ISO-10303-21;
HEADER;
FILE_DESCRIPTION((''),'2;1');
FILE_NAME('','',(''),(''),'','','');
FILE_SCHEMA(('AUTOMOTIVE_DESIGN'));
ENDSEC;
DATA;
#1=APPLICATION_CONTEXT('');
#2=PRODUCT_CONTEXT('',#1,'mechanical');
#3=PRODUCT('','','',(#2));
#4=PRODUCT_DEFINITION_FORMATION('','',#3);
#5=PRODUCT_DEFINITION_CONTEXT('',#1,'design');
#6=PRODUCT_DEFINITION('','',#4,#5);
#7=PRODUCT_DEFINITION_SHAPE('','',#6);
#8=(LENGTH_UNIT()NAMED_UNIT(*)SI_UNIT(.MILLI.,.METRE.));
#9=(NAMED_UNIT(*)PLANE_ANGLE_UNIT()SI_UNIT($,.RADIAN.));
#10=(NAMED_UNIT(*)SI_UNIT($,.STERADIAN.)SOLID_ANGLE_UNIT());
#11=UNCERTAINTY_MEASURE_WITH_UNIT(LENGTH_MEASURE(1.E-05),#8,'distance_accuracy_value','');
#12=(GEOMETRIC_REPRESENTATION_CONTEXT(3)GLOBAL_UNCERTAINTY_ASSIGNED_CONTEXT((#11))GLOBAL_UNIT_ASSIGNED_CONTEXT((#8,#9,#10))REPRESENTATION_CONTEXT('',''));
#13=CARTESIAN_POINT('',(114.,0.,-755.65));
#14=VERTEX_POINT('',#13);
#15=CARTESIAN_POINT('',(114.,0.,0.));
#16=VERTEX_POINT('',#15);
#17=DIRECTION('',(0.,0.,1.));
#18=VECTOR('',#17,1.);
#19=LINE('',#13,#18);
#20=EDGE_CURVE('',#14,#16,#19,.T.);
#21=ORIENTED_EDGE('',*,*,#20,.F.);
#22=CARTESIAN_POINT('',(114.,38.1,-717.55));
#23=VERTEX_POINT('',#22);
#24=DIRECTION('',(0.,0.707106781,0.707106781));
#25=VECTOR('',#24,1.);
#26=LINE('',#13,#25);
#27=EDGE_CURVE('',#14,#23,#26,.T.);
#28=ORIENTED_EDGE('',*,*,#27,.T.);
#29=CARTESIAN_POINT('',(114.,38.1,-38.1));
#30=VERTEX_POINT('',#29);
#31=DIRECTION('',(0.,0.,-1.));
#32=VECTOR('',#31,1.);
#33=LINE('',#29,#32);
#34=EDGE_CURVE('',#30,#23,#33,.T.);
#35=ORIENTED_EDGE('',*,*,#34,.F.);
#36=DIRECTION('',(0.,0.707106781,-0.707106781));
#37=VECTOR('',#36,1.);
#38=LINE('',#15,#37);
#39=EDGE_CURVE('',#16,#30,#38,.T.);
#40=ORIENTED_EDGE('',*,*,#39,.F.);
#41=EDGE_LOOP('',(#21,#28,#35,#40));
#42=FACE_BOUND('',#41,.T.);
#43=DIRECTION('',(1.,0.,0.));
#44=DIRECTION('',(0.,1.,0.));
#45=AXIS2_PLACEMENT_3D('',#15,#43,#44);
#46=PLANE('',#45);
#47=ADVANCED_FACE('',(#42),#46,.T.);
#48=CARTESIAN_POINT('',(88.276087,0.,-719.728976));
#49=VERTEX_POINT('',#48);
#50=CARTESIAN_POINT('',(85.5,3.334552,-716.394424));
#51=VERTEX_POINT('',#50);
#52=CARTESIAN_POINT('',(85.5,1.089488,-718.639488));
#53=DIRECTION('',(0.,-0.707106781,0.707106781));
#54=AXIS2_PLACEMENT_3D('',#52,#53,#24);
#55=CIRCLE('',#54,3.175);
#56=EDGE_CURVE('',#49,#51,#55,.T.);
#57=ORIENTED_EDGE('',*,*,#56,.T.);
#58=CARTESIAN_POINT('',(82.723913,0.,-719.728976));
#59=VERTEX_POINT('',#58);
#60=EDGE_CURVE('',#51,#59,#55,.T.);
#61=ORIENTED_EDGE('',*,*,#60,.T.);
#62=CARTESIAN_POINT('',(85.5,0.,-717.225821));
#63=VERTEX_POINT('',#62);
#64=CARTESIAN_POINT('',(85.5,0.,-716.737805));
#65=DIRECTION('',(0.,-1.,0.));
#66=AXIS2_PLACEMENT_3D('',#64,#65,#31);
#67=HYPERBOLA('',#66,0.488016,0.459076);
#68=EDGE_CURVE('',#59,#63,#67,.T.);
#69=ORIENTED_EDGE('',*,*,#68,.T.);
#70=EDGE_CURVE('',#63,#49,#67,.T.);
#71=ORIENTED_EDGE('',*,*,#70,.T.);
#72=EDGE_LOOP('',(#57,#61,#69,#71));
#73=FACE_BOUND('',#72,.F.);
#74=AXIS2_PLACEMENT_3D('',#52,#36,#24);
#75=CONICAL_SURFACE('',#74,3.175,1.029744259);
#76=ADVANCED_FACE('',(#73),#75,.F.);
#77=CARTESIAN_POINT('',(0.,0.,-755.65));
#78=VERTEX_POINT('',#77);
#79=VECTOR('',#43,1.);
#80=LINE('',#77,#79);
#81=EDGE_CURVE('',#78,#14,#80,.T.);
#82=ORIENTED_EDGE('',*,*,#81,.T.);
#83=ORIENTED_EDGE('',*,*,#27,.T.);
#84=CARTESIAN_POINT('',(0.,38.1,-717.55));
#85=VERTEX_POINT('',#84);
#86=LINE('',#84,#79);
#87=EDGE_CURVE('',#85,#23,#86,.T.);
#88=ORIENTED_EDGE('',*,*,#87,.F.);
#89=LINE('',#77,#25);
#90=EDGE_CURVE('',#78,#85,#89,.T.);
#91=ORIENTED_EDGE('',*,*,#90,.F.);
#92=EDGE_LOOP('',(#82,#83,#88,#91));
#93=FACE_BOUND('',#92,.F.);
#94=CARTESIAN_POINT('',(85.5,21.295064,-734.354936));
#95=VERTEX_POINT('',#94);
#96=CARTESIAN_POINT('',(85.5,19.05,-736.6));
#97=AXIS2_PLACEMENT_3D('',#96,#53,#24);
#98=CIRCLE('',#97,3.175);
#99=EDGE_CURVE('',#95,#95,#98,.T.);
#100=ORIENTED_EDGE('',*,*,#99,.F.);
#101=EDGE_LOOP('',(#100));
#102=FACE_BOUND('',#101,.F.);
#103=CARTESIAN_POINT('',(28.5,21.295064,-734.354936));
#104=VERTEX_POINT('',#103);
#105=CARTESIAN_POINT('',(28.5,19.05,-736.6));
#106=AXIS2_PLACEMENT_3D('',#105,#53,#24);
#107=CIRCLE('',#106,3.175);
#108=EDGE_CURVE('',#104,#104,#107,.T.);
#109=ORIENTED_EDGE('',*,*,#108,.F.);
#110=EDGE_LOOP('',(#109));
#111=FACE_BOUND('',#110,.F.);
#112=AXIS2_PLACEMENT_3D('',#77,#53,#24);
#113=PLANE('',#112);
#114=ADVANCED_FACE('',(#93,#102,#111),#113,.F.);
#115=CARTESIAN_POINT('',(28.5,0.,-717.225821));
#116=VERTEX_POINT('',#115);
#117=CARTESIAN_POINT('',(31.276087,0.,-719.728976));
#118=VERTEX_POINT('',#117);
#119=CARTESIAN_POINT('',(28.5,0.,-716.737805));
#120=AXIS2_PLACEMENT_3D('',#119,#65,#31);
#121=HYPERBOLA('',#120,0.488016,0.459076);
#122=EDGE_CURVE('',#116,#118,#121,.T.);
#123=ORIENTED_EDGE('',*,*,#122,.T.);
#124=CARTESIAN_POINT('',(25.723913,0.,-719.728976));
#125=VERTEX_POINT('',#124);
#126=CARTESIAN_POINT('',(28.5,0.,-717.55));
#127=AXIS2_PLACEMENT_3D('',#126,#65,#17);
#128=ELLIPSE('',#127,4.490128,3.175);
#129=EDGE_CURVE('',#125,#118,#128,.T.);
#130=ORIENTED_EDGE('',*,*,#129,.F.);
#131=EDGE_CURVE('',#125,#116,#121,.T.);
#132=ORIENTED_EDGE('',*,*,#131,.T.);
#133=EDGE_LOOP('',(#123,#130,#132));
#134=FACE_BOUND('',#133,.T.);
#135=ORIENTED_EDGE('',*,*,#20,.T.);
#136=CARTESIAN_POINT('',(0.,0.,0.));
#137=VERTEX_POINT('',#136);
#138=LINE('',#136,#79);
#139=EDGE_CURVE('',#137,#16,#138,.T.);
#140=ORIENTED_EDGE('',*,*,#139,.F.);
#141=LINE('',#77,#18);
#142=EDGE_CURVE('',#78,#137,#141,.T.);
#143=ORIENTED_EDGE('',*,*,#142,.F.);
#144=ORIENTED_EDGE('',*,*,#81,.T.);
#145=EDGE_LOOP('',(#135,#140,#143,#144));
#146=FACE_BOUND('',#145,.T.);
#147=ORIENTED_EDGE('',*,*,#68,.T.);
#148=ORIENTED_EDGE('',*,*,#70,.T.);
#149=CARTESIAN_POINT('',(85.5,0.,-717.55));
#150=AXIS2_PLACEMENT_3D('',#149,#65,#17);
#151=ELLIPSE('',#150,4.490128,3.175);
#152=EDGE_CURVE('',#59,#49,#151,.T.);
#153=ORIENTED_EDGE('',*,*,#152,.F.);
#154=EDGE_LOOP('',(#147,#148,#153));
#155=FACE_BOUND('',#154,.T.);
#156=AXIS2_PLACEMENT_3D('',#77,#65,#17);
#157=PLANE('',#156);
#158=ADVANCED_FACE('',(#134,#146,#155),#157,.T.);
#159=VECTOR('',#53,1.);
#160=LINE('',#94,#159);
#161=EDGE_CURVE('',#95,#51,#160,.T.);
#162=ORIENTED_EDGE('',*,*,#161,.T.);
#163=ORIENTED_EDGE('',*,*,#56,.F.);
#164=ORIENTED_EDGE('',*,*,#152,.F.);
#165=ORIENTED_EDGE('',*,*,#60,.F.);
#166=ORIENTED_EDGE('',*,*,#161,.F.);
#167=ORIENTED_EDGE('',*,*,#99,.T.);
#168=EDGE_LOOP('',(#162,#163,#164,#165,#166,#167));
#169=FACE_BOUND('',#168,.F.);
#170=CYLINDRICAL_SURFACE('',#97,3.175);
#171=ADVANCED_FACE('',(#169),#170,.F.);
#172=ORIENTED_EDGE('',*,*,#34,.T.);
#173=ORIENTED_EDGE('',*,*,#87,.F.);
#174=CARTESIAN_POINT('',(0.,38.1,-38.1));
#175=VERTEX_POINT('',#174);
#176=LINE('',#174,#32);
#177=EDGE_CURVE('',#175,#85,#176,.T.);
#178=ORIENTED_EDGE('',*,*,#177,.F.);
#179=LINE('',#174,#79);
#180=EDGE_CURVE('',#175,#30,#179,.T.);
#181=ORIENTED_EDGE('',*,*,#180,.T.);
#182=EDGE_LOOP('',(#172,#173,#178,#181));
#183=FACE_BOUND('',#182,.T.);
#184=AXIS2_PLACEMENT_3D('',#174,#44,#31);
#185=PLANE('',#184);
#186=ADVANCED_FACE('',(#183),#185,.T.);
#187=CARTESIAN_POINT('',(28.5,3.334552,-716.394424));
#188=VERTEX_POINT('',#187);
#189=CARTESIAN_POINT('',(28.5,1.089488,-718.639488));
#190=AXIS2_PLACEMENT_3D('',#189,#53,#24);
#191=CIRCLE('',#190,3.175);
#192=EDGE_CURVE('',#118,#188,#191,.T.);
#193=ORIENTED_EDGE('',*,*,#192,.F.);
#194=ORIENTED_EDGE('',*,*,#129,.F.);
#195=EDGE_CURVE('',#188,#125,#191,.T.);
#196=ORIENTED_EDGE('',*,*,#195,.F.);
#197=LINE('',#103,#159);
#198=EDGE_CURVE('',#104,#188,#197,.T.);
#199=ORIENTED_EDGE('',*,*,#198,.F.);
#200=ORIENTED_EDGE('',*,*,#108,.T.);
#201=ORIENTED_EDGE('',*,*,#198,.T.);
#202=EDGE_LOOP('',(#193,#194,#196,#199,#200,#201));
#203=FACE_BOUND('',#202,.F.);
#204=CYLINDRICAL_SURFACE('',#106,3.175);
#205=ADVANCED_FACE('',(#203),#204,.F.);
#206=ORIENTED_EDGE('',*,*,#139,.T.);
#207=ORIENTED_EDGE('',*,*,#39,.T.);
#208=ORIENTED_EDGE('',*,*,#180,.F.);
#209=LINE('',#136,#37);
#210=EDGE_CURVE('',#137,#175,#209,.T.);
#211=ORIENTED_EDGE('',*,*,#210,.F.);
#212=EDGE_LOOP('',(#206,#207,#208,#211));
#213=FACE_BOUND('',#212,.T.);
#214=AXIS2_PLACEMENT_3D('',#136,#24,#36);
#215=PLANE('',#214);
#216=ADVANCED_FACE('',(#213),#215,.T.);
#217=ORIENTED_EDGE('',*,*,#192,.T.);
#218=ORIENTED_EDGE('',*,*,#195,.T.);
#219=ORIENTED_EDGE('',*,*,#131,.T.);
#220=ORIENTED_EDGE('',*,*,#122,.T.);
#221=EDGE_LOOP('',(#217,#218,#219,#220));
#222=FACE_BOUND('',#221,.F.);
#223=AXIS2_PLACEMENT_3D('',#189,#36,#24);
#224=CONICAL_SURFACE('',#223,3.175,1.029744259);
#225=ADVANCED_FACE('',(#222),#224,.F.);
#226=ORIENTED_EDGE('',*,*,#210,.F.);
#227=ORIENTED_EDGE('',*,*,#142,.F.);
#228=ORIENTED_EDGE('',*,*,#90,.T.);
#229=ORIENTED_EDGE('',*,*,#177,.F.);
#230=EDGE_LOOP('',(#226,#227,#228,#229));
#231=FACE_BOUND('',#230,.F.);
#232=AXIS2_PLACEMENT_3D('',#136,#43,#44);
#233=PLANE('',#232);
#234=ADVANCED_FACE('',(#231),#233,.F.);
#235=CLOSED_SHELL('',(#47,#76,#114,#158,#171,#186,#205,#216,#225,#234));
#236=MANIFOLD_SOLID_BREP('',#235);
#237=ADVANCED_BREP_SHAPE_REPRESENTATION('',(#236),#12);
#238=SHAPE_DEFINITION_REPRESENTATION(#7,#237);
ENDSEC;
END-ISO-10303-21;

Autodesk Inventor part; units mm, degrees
ref_plane "YZ Plane" through (0, 0, 0) normal (1, 0, 0) x (0, 1, 0)
ref_plane "XZ Plane" through (0, 0, 0) normal (0, 1, 0) x (-1, 0, 0)
ref_plane "XY Plane" through (0, 0, 0) normal (0, 0, 1) x (1, 0, 0)
sketch "Sketch1" plane through (0, 0, 0) normal (1, 0, 0) x (0, 1, 0)
  line L0 (38.1, -38.1) -> (38.1, -717.55)
  line L1 (0, -755.65) -> (0, 0)
  line L2 (0, 0) -> (38.1, -38.1)
  line L3 (0, 0) -> (78.5772, 0) construction
  line L4 (0, -755.65) -> (38.1, -717.55)
  dimension "d2" = 45
  dimension "d20" = 755.65
extrude "Extrusion1" add sketch "Sketch1" along normal blind 114
sketch "Sketch2" plane through (114, 38.1, -717.55) normal (0, 0.7071, -0.7071) x (-1, 0, 0)
  line L0 (0, -53.8815) -> (0, 0) projected
  line L1 (114, -53.8815) -> (0, -53.8815) projected
  circle A0 centre (28.5, -26.9408) radius 4.5233
  circle A1 centre (85.5, -26.9408) radius 4.5233
  point P0 (114, 480.4437)
  dimension "d5" = 28.5
  dimension "d8" = 57
hole "Hole1" at (85.5, 19.05, -736.6) at (28.5, 19.05, -736.6) direction (0, -0.7071, 0.7071) diameter 6.35 depth 25.4 tip angle 118
equation "\"d5\" = 0.25 * d3"
equation "\"d8\" = 0.5 * d3"
equation "\"d3\" = 114"
properties part number "2p2ps45" material "Wood (Cherry)"
